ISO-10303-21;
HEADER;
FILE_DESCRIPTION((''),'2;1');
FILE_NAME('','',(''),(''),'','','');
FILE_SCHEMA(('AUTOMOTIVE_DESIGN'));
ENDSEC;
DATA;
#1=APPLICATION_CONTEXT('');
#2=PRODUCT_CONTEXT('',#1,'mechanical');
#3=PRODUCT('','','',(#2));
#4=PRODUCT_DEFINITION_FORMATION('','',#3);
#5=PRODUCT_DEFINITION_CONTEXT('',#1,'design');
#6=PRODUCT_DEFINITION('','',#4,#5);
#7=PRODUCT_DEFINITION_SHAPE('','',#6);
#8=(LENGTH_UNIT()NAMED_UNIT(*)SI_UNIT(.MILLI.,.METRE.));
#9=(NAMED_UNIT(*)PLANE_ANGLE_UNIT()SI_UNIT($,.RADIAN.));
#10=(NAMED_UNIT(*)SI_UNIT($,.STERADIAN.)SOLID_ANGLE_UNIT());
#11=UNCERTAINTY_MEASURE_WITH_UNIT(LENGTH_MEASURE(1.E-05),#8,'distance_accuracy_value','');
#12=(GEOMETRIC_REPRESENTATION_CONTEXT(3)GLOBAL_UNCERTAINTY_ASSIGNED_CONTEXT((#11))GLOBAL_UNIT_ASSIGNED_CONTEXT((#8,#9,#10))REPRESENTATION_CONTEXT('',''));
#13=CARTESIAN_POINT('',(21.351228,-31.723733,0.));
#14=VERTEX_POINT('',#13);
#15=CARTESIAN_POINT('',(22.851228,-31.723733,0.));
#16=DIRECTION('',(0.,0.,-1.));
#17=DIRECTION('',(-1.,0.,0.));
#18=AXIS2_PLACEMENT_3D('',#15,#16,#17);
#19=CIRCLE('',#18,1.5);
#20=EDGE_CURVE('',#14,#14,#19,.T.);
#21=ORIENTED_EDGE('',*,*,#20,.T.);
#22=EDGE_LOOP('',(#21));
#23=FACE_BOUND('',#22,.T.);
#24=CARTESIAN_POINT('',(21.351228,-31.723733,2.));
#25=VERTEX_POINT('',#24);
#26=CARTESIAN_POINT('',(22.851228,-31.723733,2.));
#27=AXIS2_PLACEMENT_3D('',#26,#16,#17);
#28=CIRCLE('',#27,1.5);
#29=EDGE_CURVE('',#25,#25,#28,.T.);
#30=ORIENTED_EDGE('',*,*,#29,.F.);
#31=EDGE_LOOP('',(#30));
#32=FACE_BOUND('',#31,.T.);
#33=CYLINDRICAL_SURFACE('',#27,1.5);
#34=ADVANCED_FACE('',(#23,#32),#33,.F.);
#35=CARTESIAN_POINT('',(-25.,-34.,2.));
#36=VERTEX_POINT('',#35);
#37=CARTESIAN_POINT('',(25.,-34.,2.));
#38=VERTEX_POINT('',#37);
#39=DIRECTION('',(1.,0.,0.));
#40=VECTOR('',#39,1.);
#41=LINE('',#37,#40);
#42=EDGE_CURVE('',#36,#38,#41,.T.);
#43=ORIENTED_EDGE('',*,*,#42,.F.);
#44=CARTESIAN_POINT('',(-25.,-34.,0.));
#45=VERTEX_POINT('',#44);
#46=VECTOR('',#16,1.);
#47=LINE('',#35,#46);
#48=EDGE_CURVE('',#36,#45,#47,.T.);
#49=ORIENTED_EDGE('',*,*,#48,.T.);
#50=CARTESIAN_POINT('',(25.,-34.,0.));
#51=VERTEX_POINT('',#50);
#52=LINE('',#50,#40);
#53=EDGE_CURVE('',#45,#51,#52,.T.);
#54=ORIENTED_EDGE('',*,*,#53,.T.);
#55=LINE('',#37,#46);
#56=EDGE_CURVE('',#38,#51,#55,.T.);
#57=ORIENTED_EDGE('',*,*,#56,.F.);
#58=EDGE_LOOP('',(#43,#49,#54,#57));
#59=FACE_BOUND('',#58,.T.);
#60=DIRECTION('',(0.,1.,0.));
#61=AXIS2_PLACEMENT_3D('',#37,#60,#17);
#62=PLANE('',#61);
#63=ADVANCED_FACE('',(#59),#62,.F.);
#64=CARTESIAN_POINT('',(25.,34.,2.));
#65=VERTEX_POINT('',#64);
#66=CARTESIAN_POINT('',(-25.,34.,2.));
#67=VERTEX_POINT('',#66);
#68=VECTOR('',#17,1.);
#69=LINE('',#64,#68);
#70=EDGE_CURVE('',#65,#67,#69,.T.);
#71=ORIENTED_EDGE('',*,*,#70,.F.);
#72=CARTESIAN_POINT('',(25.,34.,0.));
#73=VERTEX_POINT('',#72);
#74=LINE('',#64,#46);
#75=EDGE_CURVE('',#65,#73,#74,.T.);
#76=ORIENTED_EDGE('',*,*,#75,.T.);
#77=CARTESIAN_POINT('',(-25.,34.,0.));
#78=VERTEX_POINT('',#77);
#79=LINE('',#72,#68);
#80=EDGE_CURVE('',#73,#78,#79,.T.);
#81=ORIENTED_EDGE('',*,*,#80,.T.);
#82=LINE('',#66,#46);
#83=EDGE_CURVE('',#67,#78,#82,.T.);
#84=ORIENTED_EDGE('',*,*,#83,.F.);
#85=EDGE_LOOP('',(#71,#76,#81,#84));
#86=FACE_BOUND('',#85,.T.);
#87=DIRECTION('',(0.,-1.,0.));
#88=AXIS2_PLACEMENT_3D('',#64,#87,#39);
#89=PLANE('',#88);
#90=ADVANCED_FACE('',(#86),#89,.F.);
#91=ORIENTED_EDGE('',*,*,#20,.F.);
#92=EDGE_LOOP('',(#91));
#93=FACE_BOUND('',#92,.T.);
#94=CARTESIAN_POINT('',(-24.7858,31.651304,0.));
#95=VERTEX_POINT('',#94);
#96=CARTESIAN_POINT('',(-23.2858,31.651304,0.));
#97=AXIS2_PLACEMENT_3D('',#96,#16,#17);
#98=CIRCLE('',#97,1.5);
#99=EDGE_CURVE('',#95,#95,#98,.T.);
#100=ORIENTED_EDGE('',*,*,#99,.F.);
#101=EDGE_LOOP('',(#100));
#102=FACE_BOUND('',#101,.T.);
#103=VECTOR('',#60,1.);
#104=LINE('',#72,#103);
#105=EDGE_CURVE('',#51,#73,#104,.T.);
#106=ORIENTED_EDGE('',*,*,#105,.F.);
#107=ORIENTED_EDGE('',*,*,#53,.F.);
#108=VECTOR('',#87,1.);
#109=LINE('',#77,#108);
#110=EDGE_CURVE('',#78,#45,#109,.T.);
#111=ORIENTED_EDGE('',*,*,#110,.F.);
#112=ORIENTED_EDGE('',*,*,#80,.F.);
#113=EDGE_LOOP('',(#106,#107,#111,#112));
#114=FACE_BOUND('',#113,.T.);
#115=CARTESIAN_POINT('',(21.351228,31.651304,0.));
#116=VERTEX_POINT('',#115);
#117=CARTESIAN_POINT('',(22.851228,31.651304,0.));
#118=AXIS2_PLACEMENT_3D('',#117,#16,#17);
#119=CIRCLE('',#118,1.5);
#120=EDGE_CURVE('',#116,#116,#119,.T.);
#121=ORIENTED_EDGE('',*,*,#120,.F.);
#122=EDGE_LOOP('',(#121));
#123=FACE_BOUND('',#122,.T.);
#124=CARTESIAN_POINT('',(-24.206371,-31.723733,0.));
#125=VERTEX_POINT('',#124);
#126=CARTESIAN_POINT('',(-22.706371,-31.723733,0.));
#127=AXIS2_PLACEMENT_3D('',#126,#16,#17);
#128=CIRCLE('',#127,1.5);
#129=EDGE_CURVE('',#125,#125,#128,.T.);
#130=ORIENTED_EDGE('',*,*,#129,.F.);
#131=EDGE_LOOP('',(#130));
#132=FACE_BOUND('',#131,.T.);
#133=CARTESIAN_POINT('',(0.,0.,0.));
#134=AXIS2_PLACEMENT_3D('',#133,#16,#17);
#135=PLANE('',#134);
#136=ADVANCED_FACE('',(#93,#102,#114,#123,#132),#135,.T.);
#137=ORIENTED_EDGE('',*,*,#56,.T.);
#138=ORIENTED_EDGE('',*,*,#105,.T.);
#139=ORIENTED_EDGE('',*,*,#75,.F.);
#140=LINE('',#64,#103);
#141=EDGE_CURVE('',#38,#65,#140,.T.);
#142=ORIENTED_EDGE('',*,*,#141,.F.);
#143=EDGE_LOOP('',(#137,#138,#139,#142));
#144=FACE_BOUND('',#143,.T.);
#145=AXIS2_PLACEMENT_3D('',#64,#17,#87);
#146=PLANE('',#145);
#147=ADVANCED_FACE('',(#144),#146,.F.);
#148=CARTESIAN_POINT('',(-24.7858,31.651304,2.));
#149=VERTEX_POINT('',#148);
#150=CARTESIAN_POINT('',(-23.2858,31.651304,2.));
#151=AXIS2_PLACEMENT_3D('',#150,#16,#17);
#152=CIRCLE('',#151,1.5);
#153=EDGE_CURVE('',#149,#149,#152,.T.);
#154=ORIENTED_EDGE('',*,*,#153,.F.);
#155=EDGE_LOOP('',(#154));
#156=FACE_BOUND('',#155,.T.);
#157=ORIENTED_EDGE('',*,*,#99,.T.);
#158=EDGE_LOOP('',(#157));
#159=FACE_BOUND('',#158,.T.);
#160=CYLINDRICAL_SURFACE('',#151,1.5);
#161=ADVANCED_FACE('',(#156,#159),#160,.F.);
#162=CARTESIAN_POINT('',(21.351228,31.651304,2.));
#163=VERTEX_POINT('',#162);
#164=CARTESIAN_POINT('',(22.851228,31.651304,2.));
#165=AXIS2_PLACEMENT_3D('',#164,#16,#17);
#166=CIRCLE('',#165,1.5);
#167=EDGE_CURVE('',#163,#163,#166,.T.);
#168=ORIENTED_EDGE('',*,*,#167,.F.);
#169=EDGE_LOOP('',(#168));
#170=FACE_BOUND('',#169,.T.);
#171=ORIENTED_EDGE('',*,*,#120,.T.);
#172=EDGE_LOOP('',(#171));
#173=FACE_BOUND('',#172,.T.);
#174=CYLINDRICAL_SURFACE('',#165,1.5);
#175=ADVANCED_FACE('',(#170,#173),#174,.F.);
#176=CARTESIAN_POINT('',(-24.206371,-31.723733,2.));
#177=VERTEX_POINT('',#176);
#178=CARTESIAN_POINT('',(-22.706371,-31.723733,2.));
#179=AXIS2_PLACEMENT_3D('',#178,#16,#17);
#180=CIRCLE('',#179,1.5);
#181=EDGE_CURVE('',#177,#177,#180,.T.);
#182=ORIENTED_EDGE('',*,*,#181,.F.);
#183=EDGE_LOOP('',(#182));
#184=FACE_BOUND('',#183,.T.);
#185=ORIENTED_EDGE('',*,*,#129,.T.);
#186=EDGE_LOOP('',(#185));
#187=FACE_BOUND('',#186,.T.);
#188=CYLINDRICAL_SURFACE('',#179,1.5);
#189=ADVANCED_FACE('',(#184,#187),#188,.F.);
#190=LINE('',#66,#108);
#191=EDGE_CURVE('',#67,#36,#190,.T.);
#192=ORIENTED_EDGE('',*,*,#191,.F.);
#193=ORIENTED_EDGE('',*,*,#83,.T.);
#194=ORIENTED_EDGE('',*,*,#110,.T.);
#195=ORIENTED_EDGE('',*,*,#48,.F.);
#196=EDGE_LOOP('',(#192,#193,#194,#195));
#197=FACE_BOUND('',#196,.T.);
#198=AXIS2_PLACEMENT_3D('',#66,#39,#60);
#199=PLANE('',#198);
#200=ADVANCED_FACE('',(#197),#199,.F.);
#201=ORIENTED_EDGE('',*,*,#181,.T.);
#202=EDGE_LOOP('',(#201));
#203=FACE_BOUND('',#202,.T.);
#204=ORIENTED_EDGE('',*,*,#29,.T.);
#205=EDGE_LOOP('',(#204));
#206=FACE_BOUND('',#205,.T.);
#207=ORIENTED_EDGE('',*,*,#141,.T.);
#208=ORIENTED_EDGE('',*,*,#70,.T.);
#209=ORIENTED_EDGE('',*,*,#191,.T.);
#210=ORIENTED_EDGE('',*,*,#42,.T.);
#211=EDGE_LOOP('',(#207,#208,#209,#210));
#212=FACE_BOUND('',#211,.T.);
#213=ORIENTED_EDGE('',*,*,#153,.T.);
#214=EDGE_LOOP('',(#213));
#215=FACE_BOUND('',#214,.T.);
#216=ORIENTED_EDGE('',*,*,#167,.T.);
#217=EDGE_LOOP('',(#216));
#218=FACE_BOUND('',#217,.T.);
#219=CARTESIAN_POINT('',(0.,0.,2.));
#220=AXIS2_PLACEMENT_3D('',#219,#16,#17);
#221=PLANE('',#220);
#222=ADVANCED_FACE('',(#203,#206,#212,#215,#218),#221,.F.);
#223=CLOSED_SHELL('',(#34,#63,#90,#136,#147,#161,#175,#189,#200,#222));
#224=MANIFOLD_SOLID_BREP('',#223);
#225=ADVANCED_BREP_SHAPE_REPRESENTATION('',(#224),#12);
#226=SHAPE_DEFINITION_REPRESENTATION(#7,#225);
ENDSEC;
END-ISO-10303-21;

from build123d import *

# Parameters (mm, degrees)
SKETCH1_W           = 50
SKETCH1_H           = 68
BOSS_EXTRUDE1_DEPTH = 2
SKETCH2_R           = 1.5
CUT_EXTRUDE1_DEPTH  = 2


with BuildPart() as part:
    # Sketch1 → Boss-Extrude1 (new body)
    with BuildSketch(Plane.XY):
        Rectangle(SKETCH1_W, SKETCH1_H)
    extrude(amount=BOSS_EXTRUDE1_DEPTH)

    # Sketch2 → Cut-Extrude1 (cut)
    with BuildSketch(Plane(origin=(0, 0, 0), x_dir=(-1, 0, 0), z_dir=(0, 0, -1))):
        with Locations((23.28579951, 31.651304466)):
            Circle(SKETCH2_R)
        with Locations((-22.851227824, 31.651304466)):
            Circle(SKETCH2_R)
        with Locations((-22.851227824, -31.72373308)):
            Circle(SKETCH2_R)
        with Locations((22.706370595, -31.72373308)):
            Circle(SKETCH2_R)
    extrude(amount=-CUT_EXTRUDE1_DEPTH, mode=Mode.SUBTRACT)


solid = part.part
